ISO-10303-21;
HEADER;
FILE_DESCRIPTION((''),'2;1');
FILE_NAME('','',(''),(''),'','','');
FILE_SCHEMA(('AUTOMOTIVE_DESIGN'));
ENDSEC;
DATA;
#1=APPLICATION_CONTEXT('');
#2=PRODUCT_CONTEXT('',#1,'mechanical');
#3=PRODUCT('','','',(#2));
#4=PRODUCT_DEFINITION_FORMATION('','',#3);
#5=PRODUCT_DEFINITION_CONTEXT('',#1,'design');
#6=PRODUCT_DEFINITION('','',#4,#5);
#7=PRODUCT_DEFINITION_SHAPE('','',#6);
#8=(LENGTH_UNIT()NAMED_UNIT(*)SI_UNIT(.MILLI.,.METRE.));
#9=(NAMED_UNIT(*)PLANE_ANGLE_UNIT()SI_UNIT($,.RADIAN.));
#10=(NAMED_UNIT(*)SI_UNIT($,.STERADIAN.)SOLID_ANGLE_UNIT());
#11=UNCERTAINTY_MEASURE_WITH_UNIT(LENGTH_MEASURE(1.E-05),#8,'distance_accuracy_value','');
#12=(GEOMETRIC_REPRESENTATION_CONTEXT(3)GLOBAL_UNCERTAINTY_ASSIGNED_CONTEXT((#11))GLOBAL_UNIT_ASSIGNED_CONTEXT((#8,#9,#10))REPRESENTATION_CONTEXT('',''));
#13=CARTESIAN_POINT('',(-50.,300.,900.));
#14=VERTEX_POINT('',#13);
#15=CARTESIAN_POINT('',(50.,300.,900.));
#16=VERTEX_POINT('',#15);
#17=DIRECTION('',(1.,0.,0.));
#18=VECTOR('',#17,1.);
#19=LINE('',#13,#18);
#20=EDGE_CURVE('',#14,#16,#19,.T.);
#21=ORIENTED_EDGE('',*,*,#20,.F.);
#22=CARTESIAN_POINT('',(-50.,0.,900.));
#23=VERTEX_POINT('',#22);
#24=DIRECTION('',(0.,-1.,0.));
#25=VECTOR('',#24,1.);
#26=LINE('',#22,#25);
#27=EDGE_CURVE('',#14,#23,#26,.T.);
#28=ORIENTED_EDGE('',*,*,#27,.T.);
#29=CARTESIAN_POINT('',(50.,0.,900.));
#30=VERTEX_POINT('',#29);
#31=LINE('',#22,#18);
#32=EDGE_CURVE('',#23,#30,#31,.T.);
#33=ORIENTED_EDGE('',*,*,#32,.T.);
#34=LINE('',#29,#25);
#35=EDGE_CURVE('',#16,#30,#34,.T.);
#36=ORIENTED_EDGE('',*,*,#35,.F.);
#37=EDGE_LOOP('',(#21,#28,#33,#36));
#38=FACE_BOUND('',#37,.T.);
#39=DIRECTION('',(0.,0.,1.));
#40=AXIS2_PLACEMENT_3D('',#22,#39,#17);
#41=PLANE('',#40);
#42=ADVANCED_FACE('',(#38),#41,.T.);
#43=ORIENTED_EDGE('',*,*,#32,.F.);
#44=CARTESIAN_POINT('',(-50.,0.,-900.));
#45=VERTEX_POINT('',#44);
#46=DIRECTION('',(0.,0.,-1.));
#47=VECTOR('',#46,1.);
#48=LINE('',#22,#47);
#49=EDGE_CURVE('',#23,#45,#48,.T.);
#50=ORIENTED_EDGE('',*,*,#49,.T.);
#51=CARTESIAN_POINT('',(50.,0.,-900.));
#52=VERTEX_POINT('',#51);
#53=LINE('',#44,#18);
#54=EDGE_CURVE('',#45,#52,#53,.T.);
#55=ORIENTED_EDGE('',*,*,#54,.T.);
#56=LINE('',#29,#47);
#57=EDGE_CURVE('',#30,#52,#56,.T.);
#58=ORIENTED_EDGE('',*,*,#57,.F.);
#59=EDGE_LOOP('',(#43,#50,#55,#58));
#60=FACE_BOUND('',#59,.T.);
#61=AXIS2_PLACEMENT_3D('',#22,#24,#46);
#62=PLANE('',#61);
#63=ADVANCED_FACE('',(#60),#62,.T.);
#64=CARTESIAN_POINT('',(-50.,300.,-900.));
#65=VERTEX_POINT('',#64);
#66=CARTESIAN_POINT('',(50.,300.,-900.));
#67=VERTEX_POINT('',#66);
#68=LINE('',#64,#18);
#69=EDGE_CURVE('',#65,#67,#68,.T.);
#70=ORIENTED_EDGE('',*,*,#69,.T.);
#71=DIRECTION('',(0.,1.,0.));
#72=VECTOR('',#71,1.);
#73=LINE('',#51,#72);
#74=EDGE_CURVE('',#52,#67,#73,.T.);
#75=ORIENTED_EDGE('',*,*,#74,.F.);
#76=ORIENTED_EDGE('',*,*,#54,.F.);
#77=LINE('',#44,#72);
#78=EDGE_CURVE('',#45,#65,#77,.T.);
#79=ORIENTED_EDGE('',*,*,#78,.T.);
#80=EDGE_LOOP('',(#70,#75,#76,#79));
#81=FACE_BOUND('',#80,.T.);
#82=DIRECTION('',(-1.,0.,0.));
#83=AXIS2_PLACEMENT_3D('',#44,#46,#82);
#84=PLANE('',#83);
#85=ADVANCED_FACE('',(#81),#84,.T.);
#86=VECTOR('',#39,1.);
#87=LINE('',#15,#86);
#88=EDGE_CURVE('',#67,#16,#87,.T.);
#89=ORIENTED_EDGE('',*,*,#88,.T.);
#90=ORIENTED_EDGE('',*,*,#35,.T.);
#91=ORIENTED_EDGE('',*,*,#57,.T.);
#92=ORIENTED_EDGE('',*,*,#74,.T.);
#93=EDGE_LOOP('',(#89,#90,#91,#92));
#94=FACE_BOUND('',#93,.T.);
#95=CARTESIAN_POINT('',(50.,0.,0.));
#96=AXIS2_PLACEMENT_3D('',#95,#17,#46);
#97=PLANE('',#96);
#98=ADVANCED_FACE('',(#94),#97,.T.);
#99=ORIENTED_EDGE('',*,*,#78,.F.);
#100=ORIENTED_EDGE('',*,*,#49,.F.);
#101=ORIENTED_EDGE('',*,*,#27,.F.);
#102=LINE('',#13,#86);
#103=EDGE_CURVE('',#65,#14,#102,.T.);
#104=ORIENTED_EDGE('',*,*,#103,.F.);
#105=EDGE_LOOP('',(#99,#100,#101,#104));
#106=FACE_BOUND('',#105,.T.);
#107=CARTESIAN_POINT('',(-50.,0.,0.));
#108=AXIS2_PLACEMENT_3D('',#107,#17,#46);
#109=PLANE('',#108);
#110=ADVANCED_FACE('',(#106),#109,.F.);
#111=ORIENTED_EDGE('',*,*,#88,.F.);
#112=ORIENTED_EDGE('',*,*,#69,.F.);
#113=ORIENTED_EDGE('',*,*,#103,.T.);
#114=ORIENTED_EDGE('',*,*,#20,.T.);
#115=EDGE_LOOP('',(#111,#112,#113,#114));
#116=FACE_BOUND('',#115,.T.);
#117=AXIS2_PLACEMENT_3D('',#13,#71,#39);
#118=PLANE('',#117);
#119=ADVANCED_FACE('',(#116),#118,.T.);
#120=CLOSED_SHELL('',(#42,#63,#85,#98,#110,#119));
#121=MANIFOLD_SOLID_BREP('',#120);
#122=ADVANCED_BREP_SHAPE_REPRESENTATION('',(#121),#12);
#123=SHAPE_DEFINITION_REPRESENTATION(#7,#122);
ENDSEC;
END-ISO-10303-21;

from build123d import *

# Parameters (mm, degrees)
BOSS_EXTRUDE1_DEPTH      = 50
BOSS_EXTRUDE1_DEPTH_BACK = 50
SKETCH1_W                = 300
SKETCH1_H                = 1800


with BuildPart() as part:
    # Sketch1 → Boss-Extrude1 (new, two sides: drawn at the far end of the back side and taken through both)
    with BuildSketch(Plane.YZ.offset(-BOSS_EXTRUDE1_DEPTH_BACK)):
        with Locations((150, 0)):
            Rectangle(SKETCH1_W, SKETCH1_H)
    extrude(amount=BOSS_EXTRUDE1_DEPTH + BOSS_EXTRUDE1_DEPTH_BACK)


solid = part.part
